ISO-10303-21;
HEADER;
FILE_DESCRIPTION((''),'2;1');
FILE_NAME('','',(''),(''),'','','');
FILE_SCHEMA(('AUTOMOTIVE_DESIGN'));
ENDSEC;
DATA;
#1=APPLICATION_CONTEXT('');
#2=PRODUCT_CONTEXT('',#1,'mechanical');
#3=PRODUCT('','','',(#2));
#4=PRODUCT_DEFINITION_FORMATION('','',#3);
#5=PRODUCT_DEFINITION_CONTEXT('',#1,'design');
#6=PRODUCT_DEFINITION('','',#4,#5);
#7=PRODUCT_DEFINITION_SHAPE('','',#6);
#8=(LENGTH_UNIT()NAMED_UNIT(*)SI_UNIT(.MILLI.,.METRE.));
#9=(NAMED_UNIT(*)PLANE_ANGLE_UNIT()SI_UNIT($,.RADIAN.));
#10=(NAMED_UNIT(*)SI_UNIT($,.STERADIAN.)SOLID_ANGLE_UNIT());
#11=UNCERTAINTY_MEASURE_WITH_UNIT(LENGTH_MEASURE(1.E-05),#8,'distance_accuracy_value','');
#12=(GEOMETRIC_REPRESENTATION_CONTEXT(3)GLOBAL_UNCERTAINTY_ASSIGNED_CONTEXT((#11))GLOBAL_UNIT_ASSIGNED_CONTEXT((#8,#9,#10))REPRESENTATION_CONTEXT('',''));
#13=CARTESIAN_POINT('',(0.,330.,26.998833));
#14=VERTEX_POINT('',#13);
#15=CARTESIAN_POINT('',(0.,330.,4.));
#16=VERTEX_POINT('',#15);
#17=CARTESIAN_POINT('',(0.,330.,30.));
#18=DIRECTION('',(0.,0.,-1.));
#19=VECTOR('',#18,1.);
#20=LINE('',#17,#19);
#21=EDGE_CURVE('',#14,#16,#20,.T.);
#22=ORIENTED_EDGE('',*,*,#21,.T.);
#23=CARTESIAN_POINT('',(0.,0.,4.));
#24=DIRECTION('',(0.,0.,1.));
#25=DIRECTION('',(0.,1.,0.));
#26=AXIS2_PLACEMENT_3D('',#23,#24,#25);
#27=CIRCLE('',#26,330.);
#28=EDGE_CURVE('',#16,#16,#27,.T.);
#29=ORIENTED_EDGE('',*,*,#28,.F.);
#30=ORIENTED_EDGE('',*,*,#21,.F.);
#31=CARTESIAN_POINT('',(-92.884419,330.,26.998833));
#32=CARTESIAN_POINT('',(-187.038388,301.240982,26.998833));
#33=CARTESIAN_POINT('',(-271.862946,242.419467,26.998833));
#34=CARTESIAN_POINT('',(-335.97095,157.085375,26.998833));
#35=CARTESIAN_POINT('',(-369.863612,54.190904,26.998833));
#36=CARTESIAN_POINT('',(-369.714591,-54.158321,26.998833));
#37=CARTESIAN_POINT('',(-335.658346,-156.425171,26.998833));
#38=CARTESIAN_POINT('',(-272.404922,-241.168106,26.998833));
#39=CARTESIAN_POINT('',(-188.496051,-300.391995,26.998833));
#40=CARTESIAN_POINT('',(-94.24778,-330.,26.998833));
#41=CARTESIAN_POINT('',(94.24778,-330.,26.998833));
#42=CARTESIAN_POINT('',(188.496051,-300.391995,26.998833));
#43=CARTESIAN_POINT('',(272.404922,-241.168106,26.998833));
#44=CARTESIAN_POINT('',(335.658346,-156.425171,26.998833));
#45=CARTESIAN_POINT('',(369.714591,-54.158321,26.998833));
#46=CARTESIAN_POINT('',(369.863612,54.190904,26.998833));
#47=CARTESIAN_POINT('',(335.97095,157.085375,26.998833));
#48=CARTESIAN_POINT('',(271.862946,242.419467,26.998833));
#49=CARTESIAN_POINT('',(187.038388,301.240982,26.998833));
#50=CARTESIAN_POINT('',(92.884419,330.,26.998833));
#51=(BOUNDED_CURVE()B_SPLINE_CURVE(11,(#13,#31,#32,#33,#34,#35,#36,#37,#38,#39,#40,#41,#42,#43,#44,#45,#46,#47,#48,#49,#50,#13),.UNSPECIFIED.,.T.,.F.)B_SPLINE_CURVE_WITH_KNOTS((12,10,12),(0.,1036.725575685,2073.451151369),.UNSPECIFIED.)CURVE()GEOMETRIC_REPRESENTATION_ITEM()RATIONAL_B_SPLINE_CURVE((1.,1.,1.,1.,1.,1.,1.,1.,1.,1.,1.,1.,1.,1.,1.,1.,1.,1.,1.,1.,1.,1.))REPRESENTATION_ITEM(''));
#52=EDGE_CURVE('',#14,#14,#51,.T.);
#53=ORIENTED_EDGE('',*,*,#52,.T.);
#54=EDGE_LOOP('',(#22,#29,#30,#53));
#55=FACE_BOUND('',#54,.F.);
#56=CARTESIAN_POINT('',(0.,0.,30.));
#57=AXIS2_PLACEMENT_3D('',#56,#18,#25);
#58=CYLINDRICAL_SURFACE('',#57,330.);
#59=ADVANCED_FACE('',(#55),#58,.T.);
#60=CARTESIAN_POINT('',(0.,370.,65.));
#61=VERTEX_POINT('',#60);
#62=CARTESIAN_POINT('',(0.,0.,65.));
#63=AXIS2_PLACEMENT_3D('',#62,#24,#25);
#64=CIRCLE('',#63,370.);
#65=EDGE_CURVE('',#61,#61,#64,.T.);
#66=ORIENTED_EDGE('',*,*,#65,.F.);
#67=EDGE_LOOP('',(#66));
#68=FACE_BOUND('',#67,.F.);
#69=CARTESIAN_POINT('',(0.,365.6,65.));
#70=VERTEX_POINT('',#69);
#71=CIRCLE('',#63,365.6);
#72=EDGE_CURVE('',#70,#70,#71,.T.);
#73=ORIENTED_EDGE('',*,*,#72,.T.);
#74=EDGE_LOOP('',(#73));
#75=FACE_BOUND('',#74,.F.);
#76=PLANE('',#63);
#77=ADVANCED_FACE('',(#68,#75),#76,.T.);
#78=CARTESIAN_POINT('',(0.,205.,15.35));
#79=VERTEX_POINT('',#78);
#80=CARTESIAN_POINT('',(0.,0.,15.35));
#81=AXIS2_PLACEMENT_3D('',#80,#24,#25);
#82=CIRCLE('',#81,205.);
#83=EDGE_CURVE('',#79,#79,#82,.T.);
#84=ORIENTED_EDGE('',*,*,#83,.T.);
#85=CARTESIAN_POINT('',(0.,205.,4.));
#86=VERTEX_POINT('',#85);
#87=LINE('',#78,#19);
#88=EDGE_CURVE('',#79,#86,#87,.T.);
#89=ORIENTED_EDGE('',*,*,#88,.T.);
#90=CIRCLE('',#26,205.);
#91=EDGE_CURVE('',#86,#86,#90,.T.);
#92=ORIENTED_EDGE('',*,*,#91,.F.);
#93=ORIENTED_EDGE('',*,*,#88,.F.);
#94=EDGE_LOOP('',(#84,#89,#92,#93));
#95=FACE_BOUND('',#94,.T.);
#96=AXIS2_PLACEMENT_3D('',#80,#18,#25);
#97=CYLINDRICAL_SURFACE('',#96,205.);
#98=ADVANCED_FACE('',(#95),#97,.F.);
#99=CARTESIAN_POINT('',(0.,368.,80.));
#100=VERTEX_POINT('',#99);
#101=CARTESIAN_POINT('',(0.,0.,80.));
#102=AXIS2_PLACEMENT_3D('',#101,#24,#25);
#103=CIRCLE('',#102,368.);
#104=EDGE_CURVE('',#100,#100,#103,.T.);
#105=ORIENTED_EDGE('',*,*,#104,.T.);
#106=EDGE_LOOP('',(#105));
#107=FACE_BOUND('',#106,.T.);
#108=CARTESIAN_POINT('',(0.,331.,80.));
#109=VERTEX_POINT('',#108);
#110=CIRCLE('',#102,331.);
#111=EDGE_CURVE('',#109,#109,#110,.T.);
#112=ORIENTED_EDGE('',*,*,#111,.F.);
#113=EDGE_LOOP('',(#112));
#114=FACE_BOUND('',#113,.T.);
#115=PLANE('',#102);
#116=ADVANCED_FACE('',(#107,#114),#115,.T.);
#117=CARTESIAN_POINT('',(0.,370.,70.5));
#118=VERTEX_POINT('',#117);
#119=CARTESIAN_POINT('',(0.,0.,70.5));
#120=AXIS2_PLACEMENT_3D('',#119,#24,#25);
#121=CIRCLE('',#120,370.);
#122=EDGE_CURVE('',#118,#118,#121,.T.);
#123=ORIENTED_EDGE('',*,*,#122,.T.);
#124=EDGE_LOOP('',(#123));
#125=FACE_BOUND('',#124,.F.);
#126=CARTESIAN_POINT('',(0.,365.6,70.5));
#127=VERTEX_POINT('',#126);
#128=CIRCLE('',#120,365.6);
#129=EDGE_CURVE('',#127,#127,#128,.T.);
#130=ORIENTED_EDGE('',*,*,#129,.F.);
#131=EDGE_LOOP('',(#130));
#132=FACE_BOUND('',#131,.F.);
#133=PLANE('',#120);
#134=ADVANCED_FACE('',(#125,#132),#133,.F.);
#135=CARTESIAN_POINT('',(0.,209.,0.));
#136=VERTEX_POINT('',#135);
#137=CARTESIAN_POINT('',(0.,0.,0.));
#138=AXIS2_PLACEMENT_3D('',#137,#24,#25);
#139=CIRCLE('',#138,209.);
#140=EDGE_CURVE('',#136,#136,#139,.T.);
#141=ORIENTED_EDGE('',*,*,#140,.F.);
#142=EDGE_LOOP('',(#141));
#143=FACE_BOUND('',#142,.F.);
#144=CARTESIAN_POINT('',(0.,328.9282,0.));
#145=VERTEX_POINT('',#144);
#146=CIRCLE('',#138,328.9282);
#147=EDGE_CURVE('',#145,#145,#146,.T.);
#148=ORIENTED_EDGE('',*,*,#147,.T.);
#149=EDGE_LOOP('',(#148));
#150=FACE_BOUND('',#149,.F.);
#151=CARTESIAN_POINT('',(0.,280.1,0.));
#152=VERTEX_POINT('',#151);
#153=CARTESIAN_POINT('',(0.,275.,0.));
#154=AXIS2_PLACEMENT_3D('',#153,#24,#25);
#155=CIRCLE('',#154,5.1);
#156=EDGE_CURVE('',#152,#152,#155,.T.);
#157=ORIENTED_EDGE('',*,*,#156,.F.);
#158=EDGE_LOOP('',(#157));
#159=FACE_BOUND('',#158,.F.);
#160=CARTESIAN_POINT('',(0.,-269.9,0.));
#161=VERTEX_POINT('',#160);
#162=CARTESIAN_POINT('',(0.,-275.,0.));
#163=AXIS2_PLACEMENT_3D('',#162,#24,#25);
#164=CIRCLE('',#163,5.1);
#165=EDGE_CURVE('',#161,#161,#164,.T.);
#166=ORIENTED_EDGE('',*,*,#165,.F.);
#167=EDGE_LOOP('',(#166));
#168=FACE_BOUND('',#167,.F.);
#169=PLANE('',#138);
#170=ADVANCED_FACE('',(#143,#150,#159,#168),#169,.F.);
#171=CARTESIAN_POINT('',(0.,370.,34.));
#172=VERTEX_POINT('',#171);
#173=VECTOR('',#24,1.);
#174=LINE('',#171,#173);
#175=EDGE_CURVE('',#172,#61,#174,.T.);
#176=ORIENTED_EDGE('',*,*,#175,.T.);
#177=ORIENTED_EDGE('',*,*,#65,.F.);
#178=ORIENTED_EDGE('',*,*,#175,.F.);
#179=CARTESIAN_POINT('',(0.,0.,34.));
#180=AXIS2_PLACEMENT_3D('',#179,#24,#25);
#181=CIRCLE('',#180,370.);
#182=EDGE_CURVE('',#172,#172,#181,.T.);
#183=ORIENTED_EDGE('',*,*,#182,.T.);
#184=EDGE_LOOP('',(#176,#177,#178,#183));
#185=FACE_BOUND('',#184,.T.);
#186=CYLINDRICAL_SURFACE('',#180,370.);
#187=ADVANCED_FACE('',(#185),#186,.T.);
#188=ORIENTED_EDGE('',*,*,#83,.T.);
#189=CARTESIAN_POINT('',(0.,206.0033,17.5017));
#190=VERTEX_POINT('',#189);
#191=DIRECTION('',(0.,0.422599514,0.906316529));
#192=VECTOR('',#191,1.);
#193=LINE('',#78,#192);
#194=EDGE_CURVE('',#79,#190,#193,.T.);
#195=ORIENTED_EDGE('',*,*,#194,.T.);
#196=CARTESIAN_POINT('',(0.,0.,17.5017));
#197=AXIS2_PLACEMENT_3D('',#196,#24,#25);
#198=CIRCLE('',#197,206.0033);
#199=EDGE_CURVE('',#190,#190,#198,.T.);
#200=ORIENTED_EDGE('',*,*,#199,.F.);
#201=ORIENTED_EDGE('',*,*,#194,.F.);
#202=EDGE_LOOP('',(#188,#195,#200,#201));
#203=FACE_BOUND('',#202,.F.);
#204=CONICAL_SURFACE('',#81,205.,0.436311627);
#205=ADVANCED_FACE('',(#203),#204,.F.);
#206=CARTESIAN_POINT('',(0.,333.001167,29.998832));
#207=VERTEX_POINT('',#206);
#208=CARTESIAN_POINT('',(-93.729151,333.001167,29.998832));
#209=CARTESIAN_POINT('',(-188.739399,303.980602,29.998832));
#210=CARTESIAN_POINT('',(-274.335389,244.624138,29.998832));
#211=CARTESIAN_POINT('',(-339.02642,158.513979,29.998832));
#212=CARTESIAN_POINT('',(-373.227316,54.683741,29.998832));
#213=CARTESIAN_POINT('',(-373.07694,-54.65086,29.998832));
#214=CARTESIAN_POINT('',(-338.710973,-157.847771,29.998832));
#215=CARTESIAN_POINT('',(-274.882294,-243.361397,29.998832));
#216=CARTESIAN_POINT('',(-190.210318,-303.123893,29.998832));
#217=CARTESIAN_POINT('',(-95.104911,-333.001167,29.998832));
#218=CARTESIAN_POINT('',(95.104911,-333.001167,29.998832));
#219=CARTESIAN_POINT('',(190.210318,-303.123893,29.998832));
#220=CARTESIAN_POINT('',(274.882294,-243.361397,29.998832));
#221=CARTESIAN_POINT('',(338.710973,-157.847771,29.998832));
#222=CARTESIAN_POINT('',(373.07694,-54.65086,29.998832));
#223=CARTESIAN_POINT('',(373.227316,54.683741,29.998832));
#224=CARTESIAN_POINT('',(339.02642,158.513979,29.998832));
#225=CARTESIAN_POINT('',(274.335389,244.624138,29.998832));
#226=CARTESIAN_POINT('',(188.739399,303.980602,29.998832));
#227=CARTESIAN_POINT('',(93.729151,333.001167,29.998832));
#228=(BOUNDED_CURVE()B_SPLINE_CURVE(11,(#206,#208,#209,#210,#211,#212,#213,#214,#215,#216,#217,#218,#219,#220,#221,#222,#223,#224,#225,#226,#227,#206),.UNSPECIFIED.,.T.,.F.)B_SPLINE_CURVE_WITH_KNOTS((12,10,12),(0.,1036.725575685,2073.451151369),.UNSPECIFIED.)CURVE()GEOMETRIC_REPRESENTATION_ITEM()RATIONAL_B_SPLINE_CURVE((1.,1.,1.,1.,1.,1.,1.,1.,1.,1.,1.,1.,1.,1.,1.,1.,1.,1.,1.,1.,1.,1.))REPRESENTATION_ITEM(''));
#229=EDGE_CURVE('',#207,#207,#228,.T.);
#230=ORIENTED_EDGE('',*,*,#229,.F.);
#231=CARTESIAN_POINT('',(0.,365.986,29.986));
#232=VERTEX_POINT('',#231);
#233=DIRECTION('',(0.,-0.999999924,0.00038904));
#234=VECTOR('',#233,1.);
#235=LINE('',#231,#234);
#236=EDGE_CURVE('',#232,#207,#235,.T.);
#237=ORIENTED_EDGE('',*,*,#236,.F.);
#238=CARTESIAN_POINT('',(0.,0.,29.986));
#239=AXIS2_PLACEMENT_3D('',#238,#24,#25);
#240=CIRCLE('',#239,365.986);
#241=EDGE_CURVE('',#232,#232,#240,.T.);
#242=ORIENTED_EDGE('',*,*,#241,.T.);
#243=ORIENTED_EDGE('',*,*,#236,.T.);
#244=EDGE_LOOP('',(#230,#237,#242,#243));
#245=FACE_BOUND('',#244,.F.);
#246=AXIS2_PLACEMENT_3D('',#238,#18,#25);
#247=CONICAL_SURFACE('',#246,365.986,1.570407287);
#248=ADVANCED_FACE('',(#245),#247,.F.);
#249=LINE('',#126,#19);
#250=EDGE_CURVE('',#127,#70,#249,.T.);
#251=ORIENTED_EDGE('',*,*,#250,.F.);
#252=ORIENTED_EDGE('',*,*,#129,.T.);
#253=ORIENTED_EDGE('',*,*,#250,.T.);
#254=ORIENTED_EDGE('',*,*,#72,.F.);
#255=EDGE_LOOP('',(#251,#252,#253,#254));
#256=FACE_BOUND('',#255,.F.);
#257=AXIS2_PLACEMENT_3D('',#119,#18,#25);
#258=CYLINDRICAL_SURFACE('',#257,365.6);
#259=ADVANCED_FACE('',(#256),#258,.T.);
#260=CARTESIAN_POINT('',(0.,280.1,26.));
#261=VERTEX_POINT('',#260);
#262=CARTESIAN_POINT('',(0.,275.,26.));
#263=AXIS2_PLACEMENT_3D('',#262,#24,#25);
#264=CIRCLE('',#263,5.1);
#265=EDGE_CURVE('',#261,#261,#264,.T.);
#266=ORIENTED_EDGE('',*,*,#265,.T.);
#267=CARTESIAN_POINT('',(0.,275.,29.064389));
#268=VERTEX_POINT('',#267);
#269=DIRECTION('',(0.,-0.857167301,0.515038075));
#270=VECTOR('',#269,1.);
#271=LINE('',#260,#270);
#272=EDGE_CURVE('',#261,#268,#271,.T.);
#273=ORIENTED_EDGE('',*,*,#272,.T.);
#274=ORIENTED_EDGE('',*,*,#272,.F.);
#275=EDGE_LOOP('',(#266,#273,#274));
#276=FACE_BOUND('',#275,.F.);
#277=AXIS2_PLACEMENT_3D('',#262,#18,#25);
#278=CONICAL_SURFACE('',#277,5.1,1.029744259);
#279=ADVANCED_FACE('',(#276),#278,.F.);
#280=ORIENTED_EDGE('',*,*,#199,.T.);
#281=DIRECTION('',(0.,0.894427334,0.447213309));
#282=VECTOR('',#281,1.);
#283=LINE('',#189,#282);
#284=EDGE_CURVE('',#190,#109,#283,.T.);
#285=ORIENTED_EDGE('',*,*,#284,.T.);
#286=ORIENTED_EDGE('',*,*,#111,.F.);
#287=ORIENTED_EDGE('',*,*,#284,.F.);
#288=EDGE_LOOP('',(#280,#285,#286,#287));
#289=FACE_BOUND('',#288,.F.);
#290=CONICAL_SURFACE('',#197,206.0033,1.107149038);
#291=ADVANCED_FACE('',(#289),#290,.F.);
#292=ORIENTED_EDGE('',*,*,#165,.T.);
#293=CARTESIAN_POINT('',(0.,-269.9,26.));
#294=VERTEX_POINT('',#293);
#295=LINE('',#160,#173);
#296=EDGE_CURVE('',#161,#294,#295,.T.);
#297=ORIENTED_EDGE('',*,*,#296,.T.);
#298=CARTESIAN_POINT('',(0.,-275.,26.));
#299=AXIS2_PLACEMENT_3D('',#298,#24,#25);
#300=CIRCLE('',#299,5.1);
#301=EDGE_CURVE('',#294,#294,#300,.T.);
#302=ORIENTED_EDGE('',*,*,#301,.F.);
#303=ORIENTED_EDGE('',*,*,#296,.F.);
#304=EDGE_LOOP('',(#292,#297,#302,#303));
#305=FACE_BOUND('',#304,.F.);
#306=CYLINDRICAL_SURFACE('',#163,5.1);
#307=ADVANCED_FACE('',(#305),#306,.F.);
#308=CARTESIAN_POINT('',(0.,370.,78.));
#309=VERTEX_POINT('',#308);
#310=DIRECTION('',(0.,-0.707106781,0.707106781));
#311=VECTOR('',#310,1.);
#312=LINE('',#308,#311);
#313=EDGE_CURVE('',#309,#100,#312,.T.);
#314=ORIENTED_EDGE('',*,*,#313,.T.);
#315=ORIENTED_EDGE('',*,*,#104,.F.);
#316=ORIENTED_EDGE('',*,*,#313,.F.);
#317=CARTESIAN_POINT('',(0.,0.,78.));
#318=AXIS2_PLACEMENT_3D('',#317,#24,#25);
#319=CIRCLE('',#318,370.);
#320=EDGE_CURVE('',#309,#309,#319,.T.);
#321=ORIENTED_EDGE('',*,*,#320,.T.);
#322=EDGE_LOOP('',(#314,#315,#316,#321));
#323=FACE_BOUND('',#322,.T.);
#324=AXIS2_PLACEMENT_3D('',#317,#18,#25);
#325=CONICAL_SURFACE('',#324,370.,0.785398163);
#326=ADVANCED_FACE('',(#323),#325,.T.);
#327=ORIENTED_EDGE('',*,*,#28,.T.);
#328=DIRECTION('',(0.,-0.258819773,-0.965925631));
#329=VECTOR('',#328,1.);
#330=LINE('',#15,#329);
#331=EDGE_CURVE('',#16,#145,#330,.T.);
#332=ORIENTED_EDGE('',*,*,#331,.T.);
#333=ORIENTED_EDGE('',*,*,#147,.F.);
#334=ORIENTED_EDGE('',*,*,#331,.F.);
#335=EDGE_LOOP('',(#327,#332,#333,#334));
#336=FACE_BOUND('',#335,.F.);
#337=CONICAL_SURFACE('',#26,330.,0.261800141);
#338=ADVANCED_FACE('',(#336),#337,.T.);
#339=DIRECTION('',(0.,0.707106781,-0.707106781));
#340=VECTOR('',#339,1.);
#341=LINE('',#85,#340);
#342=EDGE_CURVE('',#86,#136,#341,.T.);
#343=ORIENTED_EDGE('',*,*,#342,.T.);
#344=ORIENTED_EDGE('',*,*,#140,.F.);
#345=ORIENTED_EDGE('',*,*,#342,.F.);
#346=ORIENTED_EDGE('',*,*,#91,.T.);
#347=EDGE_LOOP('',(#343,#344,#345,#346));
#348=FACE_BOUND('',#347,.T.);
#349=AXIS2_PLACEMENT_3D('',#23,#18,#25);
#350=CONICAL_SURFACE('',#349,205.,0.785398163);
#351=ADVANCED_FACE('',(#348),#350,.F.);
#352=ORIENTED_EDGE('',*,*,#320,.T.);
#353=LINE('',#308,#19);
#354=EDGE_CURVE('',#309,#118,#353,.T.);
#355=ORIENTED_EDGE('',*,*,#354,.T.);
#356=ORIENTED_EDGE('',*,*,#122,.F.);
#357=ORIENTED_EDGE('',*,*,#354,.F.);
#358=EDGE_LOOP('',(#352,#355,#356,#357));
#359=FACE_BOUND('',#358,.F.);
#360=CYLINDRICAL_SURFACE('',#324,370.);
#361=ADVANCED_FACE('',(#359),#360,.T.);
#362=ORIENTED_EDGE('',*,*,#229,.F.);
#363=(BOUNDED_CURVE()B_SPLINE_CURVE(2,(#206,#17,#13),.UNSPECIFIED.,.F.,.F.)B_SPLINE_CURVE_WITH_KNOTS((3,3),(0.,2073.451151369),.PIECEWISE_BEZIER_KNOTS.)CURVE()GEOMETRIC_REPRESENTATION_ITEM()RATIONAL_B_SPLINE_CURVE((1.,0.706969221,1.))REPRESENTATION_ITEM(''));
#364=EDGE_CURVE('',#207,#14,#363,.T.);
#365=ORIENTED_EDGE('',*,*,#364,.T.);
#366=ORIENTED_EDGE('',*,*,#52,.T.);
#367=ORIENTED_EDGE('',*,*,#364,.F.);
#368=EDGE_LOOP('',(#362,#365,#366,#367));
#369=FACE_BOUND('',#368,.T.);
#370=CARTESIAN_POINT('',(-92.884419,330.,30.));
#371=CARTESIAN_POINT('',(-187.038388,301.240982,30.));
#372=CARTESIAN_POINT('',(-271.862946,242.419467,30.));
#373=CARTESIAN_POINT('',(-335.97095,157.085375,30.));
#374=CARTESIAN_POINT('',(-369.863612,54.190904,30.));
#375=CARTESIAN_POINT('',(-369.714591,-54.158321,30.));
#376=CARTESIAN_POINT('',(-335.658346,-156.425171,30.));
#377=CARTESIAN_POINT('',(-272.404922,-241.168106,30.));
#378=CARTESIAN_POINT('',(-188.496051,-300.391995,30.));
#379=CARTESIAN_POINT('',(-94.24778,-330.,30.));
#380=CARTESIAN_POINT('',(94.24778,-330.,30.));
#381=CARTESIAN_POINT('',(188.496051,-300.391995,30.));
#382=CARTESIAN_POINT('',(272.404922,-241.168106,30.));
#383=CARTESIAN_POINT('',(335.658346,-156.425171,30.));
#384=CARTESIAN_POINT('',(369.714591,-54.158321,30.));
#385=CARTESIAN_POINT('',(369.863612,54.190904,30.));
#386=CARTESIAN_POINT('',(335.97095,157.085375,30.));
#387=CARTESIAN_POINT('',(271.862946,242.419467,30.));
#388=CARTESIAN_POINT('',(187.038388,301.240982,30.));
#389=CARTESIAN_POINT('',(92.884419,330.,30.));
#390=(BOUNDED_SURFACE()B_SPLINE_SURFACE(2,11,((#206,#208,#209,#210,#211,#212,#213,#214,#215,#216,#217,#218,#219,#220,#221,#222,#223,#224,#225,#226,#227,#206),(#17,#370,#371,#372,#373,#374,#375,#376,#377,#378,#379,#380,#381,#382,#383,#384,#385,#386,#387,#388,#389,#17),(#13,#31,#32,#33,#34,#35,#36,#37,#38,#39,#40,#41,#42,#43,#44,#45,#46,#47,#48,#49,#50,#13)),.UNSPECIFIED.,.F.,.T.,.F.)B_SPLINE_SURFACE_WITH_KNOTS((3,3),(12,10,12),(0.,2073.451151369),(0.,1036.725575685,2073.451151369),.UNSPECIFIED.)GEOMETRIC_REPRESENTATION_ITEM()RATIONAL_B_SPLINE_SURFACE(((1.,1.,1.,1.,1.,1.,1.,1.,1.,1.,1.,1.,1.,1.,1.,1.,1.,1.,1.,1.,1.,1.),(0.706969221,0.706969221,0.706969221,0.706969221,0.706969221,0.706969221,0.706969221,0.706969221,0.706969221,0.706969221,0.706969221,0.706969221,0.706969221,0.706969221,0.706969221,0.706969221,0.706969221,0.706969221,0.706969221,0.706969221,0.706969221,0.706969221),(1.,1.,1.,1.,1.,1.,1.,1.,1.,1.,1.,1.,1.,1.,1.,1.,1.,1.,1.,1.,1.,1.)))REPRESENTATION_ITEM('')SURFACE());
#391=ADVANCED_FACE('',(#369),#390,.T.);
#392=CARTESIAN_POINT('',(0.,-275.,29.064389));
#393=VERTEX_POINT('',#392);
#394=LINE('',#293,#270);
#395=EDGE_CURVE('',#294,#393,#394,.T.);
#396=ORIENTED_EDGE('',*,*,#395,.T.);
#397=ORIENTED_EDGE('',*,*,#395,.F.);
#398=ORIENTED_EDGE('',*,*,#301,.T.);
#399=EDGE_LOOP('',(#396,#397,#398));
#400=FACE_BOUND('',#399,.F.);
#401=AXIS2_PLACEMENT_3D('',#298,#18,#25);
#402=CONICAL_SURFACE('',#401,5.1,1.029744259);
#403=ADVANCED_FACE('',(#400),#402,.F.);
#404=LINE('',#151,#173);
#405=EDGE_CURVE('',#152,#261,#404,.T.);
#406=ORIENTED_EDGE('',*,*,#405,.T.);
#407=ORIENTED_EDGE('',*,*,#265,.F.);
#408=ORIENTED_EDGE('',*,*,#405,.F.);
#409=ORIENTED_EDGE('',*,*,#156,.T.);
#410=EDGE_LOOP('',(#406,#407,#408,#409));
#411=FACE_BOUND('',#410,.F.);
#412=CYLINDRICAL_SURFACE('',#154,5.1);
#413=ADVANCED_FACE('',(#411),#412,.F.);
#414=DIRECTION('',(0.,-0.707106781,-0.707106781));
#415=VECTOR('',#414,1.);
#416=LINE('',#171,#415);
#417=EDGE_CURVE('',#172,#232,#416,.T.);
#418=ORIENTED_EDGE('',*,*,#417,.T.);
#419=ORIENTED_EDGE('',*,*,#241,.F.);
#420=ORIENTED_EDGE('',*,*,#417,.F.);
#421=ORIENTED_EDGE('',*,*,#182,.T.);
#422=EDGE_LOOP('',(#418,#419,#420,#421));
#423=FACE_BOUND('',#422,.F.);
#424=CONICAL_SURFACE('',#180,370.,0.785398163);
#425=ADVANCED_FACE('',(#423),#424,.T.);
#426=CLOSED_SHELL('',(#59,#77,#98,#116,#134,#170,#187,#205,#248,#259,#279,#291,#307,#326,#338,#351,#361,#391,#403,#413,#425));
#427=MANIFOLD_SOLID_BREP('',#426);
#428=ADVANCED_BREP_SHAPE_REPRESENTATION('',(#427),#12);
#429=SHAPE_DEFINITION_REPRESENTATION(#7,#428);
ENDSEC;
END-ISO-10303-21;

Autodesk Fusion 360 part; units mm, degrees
sketch "Sketch1" plane through (0, 0, 0) normal (1, 0, 0) x (0, 0, -1)
  line L0 (-70.5, 370) -> (-70.5, 365.6)
  line L1 (-70.5, 365.6) -> (-65, 365.6)
  line L2 (-65, 365.6) -> (-65, 370)
  line L3 (-34, 370) -> (-29.986, 365.986)
  line L4 (-34, 370) -> (-65, 370)
  line L5 (-29.986, 365.986) -> (-30, 330)
  line L6 (-78, 370) -> (-80, 368)
  line L7 (-78, 370) -> (-70.5, 370)
  line L8 (-80, 368) -> (-80, 331)
  line L9 (-4, 330) -> (0, 328.9282)
  line L10 (-30, 330) -> (-4, 330)
  line L11 (-15.35, 205) -> (-17.5017, 206.0033)
  line L12 (-17.5017, 206.0033) -> (-80, 331)
  line L13 (-4, 205) -> (0, 209)
  line L14 (-15.35, 205) -> (-4, 205)
  line L15 (0, 328.9282) -> (0, 209)
  dimension "d11" = 4.4
  dimension "d12" = 5.5
revolve "Revolve1" add sketch "Sketch1" angle 360 about axis through (0, 0, 1.75) along (0, 0, 1)
sketch "Sketch2" plane through (0, 0, 0) normal (0, 0, -1) x (-1, 0, 0)
  circle A0 centre (0, 0) radius 328.9282
  circle A1 centre (0, 0) radius 209
  circle A2 centre (0, 275) radius 5.5
  circle A3 centre (0, -275) radius 5.5
  dimension "d24" = 11
  dimension "d25" = 11
hole "Hole1" at (0, 275, 0) at (0, -275, 0) direction (0, 0, 1) diameter 10.2 depth 26 tip angle 118
thread "Thread1" thread offset 0 thread length 18
fillet "Fillet1" radius 3 1 edges at (-307.668, 119.3331, 30)
